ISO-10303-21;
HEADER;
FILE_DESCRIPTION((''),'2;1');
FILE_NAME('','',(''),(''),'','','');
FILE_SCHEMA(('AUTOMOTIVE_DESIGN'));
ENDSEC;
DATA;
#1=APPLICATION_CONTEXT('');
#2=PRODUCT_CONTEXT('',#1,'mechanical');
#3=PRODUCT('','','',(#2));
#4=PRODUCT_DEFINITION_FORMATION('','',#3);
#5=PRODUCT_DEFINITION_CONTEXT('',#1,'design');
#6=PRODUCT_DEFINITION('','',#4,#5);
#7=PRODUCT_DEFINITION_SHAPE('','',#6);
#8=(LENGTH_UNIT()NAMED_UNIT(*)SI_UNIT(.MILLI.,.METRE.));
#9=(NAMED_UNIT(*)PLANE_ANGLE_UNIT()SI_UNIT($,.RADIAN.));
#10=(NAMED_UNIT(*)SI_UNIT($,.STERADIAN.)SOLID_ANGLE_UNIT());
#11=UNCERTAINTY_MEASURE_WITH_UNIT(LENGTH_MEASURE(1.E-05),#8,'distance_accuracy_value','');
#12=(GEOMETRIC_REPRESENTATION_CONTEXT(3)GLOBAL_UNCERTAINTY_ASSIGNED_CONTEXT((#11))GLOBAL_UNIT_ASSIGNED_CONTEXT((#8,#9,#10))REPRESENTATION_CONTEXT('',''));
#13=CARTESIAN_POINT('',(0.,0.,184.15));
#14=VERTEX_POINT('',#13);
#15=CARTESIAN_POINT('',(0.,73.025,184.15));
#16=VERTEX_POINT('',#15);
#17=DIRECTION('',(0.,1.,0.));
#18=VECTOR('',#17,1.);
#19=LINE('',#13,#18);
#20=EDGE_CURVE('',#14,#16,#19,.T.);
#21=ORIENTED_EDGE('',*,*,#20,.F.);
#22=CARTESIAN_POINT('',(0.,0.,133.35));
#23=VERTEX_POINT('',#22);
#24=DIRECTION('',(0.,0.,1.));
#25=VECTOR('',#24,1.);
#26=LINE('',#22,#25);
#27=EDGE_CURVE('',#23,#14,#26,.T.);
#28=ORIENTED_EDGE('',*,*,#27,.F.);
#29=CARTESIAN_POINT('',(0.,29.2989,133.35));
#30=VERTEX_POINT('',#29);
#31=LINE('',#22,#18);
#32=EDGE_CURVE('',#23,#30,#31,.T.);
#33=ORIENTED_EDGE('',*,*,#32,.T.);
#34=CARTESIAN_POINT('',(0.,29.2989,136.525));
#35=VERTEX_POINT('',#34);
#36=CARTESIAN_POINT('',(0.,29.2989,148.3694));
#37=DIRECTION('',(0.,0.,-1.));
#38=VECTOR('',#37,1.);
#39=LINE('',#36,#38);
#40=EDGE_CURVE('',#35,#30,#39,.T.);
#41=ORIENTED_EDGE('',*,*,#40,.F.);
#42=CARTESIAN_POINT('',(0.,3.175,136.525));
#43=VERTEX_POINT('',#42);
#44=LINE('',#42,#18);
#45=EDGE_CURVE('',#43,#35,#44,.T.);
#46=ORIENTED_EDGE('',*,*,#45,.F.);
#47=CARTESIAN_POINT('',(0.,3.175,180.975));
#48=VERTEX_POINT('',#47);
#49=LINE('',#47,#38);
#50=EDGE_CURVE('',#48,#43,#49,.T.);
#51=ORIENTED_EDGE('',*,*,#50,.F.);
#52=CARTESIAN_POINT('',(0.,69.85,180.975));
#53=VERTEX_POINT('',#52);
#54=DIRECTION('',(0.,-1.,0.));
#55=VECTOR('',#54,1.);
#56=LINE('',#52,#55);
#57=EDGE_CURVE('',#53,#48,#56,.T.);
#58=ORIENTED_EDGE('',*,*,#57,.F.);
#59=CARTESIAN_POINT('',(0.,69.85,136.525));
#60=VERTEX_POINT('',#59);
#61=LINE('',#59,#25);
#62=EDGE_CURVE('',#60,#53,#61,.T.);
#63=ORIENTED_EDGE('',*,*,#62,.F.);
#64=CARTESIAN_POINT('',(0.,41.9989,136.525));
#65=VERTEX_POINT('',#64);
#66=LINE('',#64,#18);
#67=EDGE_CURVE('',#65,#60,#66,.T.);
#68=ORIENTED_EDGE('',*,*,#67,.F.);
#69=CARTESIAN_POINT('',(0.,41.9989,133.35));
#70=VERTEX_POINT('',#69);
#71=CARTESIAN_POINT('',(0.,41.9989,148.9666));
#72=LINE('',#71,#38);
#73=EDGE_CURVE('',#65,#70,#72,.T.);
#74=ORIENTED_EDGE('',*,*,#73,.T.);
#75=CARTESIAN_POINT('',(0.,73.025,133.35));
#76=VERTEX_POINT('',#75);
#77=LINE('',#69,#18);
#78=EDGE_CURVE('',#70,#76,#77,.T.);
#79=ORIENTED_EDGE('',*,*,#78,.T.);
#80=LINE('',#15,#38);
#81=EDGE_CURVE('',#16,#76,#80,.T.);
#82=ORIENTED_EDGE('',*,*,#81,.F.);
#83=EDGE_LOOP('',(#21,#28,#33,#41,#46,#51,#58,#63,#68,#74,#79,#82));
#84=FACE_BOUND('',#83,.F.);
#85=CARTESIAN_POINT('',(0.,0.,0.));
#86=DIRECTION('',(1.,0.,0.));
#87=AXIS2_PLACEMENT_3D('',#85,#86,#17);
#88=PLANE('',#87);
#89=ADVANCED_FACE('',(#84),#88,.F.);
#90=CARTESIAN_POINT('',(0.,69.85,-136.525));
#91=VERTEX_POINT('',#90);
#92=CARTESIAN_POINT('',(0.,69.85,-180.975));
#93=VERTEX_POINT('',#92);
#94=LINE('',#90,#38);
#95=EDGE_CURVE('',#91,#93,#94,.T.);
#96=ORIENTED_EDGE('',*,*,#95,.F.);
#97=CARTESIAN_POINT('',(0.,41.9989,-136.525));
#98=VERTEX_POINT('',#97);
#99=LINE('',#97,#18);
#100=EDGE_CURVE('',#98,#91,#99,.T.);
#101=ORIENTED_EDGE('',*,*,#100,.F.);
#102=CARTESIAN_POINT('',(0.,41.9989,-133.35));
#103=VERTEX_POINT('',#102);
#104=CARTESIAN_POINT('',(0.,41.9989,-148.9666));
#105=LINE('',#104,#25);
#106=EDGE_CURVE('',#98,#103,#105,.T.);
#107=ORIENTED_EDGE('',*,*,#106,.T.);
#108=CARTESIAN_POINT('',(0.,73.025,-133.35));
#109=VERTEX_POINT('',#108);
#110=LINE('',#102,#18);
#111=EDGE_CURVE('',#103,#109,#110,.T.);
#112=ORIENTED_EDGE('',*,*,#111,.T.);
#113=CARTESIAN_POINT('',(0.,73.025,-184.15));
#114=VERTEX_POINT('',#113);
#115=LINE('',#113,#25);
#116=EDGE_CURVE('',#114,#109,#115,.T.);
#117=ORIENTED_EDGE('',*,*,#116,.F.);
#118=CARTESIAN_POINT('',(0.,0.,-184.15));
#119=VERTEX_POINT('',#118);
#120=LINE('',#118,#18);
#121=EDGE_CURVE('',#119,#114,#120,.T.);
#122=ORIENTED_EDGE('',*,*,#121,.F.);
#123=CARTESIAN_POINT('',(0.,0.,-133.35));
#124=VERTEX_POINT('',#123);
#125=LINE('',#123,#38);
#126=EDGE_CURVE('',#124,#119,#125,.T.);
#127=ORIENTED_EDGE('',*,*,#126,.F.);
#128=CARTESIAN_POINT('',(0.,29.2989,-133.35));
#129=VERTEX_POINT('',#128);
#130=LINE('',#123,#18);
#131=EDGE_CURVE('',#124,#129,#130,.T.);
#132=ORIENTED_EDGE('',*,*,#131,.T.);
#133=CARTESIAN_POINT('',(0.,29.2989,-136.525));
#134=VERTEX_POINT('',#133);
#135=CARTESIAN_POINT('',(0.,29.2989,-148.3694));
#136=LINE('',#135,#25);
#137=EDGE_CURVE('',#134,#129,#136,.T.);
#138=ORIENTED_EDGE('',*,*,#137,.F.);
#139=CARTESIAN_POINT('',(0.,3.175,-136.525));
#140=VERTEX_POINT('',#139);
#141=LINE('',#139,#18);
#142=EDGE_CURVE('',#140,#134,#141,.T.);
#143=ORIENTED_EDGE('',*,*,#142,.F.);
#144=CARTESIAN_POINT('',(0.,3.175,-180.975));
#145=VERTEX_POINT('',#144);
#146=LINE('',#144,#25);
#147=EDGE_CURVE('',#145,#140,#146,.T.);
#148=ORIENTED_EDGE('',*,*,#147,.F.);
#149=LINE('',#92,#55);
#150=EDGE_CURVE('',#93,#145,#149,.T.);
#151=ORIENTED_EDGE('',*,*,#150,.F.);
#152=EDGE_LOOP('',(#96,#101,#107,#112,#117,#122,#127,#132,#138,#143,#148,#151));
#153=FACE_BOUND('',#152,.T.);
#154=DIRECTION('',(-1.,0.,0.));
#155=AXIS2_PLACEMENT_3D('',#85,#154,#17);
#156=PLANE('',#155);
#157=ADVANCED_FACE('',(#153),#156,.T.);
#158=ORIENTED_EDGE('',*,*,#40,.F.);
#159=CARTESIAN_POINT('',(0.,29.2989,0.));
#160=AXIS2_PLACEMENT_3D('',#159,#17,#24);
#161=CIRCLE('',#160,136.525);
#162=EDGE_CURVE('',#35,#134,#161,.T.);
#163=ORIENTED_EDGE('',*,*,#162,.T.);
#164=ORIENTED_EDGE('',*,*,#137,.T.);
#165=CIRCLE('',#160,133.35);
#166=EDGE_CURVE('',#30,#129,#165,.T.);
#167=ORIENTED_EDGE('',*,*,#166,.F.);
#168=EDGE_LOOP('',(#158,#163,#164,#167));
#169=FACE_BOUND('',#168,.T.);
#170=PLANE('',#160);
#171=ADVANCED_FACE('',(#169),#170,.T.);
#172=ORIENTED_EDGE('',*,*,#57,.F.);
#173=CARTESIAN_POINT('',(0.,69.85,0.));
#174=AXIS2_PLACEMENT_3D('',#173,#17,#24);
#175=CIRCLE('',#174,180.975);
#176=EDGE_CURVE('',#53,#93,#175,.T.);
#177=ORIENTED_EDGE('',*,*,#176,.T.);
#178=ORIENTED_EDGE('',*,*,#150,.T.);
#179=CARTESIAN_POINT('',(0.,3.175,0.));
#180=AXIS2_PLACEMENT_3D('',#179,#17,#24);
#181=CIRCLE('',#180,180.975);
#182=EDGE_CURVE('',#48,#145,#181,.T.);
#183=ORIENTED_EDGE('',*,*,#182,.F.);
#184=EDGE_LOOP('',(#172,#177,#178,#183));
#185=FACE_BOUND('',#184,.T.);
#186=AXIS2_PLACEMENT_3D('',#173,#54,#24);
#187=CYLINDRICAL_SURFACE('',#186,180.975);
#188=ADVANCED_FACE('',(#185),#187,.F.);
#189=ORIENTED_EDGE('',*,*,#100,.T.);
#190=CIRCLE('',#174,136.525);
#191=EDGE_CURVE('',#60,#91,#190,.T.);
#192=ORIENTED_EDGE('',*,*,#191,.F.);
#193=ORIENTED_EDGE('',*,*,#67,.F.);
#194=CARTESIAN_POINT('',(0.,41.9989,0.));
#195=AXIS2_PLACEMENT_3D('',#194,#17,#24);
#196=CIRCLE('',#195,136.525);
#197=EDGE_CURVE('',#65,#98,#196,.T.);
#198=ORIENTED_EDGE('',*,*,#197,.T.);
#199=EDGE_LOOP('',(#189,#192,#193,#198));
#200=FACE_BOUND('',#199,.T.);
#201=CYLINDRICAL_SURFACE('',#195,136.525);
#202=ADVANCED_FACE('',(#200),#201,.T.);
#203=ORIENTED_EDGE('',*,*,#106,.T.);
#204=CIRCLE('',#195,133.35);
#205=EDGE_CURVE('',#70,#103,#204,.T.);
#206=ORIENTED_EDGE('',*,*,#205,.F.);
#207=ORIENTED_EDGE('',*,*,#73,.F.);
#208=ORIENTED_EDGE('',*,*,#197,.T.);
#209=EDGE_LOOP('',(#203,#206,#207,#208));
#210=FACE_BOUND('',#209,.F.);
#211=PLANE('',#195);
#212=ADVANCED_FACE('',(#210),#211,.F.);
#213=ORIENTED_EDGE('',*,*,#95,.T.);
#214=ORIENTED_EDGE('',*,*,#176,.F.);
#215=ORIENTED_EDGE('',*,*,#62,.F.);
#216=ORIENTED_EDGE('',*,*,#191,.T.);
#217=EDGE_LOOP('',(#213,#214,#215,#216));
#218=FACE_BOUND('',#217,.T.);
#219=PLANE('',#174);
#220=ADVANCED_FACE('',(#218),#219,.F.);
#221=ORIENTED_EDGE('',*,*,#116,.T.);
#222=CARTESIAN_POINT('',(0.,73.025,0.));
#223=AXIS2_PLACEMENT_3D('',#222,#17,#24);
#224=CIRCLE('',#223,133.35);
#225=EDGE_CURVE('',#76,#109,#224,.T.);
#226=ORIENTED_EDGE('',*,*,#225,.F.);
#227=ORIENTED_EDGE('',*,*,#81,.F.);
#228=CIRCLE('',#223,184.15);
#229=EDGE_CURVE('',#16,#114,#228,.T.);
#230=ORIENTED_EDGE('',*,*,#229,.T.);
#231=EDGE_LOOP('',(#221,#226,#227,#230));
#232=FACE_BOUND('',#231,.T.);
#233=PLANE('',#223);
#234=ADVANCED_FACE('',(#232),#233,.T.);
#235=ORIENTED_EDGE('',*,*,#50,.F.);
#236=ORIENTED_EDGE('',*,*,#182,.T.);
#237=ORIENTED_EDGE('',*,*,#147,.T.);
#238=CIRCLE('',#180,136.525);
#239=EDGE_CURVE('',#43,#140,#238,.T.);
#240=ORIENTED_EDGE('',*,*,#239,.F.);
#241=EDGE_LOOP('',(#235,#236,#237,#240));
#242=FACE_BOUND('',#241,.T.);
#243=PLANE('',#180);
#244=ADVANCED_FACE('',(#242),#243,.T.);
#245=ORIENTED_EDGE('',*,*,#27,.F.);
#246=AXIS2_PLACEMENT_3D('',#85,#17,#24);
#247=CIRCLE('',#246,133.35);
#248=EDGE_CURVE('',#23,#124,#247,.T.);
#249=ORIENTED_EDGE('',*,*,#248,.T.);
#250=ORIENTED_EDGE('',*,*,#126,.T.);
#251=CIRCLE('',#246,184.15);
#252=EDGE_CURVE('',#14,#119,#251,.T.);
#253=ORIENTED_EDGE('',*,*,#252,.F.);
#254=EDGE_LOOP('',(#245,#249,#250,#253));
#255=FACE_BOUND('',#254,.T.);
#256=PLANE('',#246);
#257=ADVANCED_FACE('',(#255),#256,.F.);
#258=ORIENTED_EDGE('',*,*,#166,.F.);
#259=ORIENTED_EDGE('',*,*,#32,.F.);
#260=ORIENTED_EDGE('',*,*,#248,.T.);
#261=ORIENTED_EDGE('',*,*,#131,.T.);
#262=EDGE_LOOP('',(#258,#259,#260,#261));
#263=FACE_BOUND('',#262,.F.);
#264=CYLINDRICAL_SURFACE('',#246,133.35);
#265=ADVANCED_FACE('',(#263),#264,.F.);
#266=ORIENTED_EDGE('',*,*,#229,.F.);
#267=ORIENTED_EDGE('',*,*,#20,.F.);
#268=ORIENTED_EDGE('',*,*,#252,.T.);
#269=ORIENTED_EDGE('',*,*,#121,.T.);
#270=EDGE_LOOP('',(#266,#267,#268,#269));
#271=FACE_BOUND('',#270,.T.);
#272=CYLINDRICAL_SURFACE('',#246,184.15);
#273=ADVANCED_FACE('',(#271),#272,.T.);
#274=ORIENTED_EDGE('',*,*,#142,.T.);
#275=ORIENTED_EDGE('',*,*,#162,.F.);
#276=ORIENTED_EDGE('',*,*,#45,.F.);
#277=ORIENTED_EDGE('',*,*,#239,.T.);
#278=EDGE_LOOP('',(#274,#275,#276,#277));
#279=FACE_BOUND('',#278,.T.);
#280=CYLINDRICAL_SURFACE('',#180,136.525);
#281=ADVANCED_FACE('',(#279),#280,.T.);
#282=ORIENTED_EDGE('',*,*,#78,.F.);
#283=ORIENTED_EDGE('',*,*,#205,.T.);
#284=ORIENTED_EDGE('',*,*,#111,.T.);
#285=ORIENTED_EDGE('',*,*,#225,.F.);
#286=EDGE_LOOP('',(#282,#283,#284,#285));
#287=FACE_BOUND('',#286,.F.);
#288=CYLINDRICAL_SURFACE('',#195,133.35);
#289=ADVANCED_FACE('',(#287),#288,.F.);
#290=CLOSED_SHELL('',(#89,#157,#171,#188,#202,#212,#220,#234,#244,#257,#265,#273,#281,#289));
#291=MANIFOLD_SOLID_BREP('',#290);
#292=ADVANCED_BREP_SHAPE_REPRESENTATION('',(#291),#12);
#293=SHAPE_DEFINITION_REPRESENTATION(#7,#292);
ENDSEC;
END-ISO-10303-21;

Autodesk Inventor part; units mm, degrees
ref_plane "YZ Plane" through (0, 0, 0) normal (1, 0, 0) x (0, 1, 0)
ref_plane "XZ Plane" through (0, 0, 0) normal (0, 1, 0) x (-1, 0, 0)
ref_plane "XY Plane" through (0, 0, 0) normal (0, 0, 1) x (1, 0, 0)
sketch "Sketch1" plane through (0, 0, 0) normal (1, 0, 0) x (0, 1, 0)
  line L0 (0, 0) -> (50.8, 0)
  line L1 (0, 133.35) -> (0, 184.15)
  line L2 (0, 184.15) -> (73.025, 184.15)
  line L3 (73.025, 184.15) -> (73.025, 133.35)
  line L4 (69.85, 180.975) -> (3.175, 180.975)
  line L5 (3.175, 180.975) -> (3.175, 136.525)
  line L6 (69.85, 136.525) -> (69.85, 180.975)
  line L7 (29.2989, 148.3694) -> (29.2989, 120.4477)
  line L8 (41.9989, 148.9666) -> (41.9989, 122.6874)
  line L9 (0, 133.35) -> (29.2989, 133.35)
  line L10 (41.9989, 133.35) -> (73.025, 133.35)
  line L11 (3.175, 136.525) -> (29.2989, 136.525)
  line L12 (41.9989, 136.525) -> (69.85, 136.525)
  point P0 (3.175, 180.975)
  point P1 (69.85, 136.525)
  dimension "d0" = 50.8
  dimension "d3" = 50.8
  dimension "d4" = 73.025
  dimension "d5" = 3.175
  dimension "d6" = 3.175
  dimension "d7" = 3.175
  dimension "d8" = 3.175
  dimension "d9" = 3.175
  dimension "d11" = 3.175
  dimension "d13" = 26.1239
  dimension "d14" = 12.7
  dimension "d16" = 133.35
  dimension "d17" = 3.175
  dimension "d18" = 3.175
revolve "Revolution1" add sketch "Sketch1" angle 180 about axis through (0, 0, 0) along (0, 1, 0)
sketch "Sketch2" plane through (0, 73.025, 184.15) normal (0, 1, 0) x (1, 0, 0)
  point P0 (0, 184.15)
properties part number "Outer_Shell"
